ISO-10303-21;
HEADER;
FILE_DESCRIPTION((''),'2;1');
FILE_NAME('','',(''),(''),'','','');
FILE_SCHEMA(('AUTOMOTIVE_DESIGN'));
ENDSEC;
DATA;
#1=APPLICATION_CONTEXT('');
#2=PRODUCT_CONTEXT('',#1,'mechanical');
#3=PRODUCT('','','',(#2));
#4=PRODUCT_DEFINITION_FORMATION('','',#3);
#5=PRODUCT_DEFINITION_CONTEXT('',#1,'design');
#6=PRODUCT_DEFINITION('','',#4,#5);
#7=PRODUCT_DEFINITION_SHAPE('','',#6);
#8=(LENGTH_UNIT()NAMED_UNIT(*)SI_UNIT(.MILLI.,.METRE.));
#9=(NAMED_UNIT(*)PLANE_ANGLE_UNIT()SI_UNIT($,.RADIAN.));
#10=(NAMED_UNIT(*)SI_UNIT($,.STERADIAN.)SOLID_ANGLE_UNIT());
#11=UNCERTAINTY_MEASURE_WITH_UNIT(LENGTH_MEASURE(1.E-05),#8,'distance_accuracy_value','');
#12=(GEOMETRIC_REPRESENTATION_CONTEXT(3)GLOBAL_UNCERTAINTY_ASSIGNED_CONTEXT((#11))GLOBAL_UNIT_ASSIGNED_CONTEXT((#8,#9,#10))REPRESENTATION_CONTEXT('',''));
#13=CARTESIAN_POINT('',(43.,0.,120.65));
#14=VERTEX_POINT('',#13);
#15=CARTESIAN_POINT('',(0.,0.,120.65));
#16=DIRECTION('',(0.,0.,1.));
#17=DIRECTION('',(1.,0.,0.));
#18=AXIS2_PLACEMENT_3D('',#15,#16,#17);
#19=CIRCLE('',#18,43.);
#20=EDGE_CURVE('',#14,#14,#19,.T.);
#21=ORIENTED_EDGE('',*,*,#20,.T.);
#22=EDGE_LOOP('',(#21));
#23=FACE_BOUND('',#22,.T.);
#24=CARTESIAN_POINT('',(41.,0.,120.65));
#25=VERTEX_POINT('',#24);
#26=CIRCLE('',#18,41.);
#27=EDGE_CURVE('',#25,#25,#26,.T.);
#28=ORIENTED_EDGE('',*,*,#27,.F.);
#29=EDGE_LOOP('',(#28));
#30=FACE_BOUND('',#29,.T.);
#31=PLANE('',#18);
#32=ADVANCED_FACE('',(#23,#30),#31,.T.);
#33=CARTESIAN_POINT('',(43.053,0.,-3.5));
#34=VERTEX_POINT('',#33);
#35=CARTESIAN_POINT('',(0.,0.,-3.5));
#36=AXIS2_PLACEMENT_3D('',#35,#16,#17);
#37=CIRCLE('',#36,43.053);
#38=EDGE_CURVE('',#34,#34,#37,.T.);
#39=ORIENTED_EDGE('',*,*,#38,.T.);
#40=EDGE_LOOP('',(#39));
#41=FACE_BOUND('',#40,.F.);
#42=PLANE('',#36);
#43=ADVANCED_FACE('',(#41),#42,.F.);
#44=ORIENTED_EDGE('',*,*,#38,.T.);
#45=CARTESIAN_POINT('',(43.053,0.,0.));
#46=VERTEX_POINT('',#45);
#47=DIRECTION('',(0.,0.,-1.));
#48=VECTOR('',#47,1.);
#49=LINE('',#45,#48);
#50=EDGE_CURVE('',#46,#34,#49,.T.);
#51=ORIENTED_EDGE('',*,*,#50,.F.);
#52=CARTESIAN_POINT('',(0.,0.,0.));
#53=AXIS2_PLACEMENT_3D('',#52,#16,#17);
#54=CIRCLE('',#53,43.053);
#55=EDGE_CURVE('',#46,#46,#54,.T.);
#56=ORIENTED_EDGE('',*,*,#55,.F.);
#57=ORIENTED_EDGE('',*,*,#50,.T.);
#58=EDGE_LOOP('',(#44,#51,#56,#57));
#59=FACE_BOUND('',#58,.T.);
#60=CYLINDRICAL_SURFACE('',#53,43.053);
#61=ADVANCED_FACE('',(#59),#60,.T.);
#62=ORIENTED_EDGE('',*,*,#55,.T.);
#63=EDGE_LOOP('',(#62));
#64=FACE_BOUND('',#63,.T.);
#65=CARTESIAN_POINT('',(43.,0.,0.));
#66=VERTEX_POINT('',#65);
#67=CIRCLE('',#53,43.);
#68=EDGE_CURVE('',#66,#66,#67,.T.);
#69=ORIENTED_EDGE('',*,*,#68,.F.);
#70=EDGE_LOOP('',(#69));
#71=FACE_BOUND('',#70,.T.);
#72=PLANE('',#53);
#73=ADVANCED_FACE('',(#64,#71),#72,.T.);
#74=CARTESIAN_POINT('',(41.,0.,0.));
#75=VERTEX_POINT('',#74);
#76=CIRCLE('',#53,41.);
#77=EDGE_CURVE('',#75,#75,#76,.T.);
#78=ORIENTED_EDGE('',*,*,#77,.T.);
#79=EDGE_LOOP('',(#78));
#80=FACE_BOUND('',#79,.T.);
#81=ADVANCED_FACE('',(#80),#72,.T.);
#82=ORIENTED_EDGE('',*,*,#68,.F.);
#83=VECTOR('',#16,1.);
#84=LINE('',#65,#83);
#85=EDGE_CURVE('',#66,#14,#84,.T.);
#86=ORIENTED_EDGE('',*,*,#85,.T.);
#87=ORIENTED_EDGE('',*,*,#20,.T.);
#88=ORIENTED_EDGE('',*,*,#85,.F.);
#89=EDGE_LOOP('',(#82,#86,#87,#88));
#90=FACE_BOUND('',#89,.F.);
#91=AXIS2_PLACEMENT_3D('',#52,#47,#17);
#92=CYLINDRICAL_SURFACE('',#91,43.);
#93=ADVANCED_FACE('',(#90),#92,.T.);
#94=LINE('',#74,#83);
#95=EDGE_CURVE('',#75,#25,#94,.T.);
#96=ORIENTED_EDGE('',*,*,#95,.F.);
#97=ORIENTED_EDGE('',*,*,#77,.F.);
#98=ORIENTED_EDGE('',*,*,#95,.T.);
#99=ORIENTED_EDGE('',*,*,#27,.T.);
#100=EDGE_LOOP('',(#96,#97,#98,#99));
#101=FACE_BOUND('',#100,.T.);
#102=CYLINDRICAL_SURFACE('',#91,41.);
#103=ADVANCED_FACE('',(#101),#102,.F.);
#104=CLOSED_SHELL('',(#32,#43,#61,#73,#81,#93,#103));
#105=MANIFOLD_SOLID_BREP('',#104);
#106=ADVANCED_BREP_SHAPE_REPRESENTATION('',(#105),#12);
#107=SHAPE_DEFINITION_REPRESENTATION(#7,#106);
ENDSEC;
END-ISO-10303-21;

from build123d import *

# Parameters (mm, degrees)
F2_R     = 43
F2_R_2   = 41
F0_DEPTH = 120.65
F3_R     = 43.053
F1_DEPTH = 3.5


with BuildPart() as f0:
    # F2 (on Top) → F0 (new body)
    with BuildSketch(Plane.XY):
        Circle(F2_R)
        Circle(F2_R_2, mode=Mode.SUBTRACT)
    extrude(amount=F0_DEPTH)

    # F3 (on Top) → F1 (join)
    with BuildSketch(Plane.XY):
        Circle(F3_R)
    extrude(amount=-F1_DEPTH)


solid = f0.part
